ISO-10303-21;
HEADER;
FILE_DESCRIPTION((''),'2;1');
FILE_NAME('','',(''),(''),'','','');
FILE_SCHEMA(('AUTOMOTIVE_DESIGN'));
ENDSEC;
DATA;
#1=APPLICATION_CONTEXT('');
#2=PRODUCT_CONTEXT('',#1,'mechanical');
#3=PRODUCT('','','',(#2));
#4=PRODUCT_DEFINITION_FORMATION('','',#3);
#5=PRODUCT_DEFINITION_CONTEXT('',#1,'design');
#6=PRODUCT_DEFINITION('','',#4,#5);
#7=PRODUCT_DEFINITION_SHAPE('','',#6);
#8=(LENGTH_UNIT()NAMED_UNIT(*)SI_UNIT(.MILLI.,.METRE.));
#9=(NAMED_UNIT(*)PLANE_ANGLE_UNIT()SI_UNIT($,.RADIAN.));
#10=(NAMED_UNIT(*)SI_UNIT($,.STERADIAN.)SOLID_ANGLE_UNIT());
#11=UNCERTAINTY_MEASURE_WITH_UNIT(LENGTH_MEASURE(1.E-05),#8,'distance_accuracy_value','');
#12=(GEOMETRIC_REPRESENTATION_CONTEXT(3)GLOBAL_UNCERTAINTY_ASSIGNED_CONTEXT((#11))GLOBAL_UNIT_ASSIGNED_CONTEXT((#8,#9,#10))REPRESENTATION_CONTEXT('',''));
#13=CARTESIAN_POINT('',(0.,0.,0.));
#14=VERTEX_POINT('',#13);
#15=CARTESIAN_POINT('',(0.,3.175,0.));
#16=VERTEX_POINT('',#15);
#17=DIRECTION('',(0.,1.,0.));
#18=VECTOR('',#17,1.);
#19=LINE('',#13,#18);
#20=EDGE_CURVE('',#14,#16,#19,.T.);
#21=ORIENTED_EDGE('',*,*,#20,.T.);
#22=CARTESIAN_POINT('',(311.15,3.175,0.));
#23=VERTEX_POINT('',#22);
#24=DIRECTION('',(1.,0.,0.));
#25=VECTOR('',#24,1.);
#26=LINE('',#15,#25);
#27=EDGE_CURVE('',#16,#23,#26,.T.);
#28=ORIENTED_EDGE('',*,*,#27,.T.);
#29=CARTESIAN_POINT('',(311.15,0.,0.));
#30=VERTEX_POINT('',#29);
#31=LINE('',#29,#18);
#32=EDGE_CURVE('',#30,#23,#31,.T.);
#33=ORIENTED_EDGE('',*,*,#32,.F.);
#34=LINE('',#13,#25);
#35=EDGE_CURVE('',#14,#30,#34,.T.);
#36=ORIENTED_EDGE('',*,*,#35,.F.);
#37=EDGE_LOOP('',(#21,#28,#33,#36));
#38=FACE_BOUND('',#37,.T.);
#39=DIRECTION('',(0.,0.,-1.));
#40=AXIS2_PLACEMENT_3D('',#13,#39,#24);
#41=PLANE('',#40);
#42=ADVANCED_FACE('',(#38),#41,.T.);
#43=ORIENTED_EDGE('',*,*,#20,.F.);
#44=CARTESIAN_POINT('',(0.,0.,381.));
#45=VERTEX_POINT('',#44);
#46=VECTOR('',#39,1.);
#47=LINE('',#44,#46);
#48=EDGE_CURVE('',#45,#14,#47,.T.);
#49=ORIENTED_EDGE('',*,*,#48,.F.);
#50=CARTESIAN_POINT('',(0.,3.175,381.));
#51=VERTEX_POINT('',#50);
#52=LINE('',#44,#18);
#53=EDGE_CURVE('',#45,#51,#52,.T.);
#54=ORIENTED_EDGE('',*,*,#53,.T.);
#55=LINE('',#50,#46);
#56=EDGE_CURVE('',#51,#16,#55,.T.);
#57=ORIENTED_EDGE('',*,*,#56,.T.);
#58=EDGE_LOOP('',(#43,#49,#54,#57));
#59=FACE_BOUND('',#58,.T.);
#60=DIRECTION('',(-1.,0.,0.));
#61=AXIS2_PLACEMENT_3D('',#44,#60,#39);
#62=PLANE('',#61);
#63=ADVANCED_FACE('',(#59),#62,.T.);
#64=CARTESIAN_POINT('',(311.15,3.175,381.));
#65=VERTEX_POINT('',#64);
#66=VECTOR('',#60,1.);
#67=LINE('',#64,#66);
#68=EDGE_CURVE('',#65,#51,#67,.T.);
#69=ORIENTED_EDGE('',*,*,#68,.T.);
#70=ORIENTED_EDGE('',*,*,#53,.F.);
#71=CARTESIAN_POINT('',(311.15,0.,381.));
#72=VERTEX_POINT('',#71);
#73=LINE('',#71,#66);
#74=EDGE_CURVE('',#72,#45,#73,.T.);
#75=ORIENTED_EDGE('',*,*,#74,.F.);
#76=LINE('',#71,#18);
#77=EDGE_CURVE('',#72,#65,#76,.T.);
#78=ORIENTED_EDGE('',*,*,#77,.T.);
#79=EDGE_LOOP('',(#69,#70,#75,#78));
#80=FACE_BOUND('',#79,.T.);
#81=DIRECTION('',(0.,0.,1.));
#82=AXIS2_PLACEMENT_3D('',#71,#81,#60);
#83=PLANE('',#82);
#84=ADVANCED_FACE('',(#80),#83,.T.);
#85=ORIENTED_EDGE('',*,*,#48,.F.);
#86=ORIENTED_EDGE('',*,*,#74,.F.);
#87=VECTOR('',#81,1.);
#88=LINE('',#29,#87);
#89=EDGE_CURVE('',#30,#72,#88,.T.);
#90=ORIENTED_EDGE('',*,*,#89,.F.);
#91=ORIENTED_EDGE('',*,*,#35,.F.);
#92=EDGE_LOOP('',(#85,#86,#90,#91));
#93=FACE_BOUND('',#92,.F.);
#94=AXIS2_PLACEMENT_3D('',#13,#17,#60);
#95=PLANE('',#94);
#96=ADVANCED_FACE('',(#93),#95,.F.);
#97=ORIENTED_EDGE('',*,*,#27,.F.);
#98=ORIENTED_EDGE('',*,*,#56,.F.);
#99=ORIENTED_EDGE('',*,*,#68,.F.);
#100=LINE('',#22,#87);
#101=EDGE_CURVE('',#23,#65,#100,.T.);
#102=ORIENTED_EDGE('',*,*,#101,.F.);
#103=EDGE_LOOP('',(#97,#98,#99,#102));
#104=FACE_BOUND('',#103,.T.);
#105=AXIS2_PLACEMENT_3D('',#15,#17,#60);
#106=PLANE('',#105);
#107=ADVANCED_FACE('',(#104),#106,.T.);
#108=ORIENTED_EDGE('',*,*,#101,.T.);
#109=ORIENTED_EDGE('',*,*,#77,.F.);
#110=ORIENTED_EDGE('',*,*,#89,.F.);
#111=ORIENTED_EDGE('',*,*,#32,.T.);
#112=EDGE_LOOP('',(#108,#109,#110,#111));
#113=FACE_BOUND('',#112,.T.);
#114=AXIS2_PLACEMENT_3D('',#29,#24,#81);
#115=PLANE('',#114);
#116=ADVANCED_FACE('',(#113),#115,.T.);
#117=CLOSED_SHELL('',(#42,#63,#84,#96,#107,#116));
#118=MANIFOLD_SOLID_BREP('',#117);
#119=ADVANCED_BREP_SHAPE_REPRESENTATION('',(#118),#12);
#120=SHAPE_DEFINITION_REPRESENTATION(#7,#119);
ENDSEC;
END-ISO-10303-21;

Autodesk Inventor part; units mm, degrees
ref_plane "YZ Plane" through (0, 0, 0) normal (1, 0, 0) x (0, 1, 0)
ref_plane "XZ Plane" through (0, 0, 0) normal (0, 1, 0) x (-1, 0, 0)
ref_plane "XY Plane" through (0, 0, 0) normal (0, 0, 1) x (1, 0, 0)
sketch "Sketch1" plane through (0, 0, 0) normal (0, 1, 0) x (-1, 0, 0)
  line L0 (0, 0) -> (-311.15, 0)
  line L1 (-311.15, 0) -> (-311.15, 381)
  line L2 (-311.15, 381) -> (0, 381)
  line L3 (0, 381) -> (0, 0)
  dimension "d0" = 311.15
  dimension "d1" = 381
extrude "Plate1" add sketch "Sketch1" along normal blind 3.175
equation "\"d2\" = Thickness"
equation "\"BendRadius\" = Thickness"
equation "\"BendReliefWidth\" = Thickness"
equation "\"BendReliefDepth\" = 0.5 * Thickness"
equation "\"CornerReliefSize\" = 4 * Thickness"
equation "\"MinimumRemnant\" = 2 * Thickness"
equation "\"TransitionRadius\" = BendRadius"
equation "\"JacobiRadiusSize\" = BendRadius"
equation "\"GapSize\" = Thickness"
equation "\"Thickness\" = 3.175"
properties part number "PLATE,HOPPER,BACK" material "Polycarbonate, Clear"
